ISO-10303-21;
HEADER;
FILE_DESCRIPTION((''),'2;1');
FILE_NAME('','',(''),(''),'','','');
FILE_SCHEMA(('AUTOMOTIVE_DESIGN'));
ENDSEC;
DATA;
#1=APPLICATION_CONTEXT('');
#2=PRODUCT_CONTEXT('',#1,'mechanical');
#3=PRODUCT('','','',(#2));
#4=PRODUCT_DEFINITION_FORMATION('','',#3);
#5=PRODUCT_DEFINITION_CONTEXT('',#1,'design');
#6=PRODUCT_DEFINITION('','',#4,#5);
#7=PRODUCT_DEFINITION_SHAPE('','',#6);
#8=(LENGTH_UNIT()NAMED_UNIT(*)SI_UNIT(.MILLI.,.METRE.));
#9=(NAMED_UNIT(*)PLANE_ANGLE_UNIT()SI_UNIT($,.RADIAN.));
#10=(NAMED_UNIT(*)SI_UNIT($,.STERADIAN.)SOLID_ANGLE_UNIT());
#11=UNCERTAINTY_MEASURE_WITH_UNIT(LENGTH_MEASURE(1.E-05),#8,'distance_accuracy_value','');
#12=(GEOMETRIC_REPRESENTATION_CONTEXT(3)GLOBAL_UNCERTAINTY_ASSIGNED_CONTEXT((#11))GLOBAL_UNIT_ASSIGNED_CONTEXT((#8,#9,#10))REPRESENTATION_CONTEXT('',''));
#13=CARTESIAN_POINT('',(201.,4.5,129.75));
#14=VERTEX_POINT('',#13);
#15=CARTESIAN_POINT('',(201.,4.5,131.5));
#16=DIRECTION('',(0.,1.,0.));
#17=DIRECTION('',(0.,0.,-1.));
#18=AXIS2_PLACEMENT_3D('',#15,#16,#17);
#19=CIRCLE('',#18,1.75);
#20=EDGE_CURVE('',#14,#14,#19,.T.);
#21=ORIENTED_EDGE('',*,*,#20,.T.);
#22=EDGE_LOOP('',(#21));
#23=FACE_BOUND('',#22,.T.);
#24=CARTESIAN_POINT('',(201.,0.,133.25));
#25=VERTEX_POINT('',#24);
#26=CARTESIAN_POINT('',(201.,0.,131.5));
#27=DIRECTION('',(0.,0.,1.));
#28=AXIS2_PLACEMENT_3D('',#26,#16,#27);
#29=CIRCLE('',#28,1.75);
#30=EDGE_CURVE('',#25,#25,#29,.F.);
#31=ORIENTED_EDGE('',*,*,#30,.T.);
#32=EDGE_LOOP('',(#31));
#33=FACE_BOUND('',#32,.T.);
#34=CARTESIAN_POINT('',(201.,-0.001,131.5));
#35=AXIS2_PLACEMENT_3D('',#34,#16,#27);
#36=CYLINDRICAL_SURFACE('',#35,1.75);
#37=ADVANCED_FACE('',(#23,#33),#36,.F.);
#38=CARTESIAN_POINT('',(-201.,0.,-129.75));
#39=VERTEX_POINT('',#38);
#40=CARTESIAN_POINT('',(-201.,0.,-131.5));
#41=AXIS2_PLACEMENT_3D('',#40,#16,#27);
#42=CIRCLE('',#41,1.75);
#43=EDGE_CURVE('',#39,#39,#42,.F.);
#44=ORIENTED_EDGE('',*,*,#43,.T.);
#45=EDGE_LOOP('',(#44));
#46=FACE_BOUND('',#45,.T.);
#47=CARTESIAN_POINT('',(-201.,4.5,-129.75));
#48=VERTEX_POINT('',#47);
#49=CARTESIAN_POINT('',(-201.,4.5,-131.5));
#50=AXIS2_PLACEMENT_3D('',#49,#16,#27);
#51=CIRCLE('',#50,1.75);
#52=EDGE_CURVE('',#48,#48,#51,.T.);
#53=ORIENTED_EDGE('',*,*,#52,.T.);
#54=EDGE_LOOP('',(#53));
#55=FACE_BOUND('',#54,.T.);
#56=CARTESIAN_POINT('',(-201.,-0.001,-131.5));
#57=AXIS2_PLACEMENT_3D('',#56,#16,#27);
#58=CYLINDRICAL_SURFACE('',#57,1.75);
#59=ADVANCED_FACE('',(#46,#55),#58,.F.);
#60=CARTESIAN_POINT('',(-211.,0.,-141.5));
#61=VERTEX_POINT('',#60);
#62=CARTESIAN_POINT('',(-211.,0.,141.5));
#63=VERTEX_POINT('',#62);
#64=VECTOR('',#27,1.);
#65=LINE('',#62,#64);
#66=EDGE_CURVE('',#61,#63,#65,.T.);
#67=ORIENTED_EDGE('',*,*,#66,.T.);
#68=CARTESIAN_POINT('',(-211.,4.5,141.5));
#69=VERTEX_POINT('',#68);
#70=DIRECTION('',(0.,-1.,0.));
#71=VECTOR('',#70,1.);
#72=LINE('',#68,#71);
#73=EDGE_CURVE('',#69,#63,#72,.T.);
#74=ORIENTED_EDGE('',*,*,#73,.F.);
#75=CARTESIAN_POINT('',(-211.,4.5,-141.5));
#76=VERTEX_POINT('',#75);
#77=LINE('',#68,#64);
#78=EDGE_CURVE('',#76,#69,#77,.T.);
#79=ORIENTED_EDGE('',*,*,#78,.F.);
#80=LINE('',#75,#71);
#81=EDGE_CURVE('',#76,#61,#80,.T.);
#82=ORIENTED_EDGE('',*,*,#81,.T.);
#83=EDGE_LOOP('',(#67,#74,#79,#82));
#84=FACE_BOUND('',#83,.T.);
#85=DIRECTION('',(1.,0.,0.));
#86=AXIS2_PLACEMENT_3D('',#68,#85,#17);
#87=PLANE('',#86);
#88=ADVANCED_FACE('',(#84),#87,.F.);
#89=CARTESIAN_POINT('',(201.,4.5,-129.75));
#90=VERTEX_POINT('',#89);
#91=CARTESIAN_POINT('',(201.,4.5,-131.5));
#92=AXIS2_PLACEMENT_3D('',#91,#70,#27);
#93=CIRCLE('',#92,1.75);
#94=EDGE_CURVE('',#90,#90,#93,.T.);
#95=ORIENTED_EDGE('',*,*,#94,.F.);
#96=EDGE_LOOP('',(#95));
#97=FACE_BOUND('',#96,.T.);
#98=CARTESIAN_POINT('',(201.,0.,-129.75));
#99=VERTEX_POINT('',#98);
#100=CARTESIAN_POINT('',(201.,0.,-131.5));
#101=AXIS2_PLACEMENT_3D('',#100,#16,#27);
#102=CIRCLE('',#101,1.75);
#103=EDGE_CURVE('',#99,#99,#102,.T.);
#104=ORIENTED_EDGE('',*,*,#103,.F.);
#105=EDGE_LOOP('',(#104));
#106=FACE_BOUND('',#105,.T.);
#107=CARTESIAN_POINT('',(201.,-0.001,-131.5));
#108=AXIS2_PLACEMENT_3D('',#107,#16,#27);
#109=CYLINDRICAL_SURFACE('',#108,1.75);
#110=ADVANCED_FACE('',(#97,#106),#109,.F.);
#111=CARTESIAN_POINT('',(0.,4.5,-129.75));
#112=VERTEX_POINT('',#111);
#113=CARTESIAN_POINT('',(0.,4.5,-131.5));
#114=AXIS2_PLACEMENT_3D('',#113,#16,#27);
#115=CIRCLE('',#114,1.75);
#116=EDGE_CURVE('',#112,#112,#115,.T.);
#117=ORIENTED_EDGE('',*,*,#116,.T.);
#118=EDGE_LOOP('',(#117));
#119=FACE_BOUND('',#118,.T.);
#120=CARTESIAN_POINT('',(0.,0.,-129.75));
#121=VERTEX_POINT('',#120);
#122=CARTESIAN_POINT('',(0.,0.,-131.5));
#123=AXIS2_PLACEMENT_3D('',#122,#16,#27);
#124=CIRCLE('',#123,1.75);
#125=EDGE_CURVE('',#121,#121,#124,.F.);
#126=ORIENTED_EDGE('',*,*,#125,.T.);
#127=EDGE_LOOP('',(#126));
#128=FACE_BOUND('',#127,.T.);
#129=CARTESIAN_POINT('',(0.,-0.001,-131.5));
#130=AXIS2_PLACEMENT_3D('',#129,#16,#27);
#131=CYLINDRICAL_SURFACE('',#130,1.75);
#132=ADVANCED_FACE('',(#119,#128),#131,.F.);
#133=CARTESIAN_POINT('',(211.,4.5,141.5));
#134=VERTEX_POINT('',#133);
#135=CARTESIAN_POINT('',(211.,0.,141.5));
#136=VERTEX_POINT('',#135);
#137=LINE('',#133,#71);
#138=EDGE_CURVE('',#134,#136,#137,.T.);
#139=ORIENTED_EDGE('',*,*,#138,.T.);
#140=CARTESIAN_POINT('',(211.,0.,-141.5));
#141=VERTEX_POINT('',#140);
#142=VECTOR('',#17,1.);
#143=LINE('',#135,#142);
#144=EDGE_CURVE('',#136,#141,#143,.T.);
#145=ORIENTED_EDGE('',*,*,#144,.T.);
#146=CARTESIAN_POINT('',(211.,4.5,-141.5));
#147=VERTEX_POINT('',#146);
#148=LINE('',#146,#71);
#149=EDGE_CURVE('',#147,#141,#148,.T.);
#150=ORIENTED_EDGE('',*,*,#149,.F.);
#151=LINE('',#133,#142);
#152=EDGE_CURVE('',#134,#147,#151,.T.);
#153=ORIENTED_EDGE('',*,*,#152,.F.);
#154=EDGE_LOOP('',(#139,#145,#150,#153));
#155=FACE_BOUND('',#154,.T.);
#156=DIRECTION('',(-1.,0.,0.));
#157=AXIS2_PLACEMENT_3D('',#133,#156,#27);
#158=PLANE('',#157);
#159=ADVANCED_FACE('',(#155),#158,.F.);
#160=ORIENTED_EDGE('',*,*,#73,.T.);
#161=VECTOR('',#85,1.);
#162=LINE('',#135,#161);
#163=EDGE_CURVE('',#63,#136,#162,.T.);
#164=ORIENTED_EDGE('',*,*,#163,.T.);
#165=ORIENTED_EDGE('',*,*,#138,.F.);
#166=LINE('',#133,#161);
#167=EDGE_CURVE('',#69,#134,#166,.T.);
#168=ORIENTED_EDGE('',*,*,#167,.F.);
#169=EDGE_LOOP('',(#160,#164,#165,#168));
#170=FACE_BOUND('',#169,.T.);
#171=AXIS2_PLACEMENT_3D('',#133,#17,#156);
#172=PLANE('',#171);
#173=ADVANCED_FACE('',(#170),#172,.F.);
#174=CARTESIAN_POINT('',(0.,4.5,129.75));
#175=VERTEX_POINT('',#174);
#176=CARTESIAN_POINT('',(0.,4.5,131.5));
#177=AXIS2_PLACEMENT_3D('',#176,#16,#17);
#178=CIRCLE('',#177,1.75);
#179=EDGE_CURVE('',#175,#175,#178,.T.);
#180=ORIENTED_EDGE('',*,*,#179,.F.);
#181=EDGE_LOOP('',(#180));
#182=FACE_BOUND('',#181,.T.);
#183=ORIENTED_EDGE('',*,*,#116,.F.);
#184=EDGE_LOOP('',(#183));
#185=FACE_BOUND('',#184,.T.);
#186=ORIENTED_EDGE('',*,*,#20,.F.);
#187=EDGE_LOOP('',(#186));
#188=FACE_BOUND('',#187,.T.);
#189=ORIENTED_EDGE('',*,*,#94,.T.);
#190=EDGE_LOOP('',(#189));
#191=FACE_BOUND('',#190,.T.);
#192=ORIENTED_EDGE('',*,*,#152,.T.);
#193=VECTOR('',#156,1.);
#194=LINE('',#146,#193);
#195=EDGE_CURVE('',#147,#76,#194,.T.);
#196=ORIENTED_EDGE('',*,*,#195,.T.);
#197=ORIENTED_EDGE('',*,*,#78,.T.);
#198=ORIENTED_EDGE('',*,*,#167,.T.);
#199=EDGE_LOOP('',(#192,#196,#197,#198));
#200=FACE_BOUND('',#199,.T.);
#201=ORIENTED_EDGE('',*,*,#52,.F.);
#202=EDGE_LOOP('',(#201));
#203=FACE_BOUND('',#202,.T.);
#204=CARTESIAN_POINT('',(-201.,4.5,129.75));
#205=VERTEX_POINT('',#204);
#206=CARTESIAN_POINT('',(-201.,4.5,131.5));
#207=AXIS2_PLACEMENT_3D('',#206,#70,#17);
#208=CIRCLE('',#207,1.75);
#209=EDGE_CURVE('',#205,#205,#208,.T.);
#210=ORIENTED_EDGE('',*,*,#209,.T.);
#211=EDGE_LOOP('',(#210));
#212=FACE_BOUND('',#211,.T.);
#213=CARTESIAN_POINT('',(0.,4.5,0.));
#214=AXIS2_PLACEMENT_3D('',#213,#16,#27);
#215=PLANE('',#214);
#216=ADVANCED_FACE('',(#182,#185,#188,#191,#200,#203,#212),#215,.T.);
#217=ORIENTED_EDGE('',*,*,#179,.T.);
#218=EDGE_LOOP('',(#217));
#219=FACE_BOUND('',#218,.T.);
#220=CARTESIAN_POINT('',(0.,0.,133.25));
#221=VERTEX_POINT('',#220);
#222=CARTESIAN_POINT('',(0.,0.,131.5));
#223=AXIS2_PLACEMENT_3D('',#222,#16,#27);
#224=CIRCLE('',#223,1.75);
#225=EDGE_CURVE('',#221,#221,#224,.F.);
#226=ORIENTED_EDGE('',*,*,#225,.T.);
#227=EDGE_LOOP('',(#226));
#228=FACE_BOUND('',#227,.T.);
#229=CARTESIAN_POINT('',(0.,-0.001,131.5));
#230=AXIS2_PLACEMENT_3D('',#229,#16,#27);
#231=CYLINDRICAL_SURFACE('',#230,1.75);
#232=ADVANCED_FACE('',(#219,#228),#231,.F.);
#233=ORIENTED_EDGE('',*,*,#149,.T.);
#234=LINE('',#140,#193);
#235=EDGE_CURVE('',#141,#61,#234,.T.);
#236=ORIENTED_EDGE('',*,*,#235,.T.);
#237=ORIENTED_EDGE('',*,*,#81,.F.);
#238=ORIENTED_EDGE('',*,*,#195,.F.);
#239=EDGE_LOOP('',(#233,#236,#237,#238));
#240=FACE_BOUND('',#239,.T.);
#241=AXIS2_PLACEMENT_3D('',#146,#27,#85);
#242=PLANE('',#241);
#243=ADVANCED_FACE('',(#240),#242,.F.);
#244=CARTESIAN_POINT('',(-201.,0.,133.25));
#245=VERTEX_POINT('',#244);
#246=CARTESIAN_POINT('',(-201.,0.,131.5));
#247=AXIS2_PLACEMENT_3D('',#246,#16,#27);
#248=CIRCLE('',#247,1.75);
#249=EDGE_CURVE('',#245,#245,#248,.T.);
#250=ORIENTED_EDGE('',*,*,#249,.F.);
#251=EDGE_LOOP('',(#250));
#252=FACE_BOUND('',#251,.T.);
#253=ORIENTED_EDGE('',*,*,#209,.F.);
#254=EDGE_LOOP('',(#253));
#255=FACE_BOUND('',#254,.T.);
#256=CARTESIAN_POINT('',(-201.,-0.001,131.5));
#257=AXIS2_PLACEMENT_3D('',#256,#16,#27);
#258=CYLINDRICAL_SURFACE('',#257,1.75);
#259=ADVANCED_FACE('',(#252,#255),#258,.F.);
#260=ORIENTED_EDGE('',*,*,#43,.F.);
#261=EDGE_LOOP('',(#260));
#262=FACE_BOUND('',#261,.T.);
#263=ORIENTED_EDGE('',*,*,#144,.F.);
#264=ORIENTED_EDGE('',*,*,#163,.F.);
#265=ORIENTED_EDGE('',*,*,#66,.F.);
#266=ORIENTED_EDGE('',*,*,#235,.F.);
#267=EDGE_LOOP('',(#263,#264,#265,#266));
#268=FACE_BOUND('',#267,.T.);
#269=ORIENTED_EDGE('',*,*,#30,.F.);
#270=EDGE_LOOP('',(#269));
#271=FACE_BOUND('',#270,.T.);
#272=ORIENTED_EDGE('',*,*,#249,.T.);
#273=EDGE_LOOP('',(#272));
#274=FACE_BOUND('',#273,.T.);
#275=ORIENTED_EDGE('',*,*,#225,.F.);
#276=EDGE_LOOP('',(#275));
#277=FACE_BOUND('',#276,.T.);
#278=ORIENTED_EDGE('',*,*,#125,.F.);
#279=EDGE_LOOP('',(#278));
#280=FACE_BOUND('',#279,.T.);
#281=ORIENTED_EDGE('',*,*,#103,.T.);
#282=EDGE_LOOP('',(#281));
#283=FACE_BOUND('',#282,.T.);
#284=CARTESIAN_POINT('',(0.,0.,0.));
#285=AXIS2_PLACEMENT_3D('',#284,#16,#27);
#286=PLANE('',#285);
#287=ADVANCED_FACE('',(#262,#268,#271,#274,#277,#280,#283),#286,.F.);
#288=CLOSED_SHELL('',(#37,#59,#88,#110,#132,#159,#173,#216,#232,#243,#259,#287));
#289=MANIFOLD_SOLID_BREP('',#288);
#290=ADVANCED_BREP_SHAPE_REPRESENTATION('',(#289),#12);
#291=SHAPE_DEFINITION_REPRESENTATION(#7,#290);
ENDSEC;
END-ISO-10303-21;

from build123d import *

# Parameters (mm, degrees)
SKETCH1_W               = 422
SKETCH1_H               = 283
BOSS_EXTRUDE1_DEPTH     = 4.5
SKETCH2_R               = 1.75
CUT_EXTRUDE1_DEPTH      = 4.5
MIRROR3_COPY_1_SKETCH_R = 1.75
MIRROR3_COPY_1_DEPTH    = 4.5


with BuildPart() as part:
    # Sketch1 → Boss-Extrude1 (new body)
    with BuildSketch(Plane(origin=(0, 0, 0), x_dir=(1, 0, 0), z_dir=(0, 1, 0))):
        Rectangle(SKETCH1_W, SKETCH1_H)
    extrude(amount=BOSS_EXTRUDE1_DEPTH)

    # Sketch2 → Cut-Extrude1 (cut)
    with BuildSketch(Plane(origin=(0, 4.5, 0), x_dir=(1, 0, 0), z_dir=(0, 1, 0))):
        with Locations((-201, 131.5)):
            Circle(SKETCH2_R)
        with Locations((0, 131.5)):
            Circle(SKETCH2_R)
    cut_extrude1 = extrude(amount=-CUT_EXTRUDE1_DEPTH, mode=Mode.SUBTRACT)

    # Mirror2: Cut-Extrude1 across plane
    add(cut_extrude1.mirror(Plane(origin=(0, 0, 0), x_dir=(0, 0, 1), z_dir=(1, 0, 0))), mode=Mode.SUBTRACT)

    # Mirror3: Cut-Extrude1 across plane
    add(cut_extrude1.mirror(Plane.XY), mode=Mode.SUBTRACT)

    # Mirror3 copy 1 sketch → Mirror3 copy 1 (cut)
    with BuildSketch(Plane(origin=(0, 4.5, 0), x_dir=(-1, 0, 0), z_dir=(0, 1, 0))):
        with Locations((-201, 131.5)):
            Circle(MIRROR3_COPY_1_SKETCH_R)
        with Locations((0, 131.5)):
            Circle(MIRROR3_COPY_1_SKETCH_R)
    extrude(amount=-MIRROR3_COPY_1_DEPTH, mode=Mode.SUBTRACT)


solid = part.part
